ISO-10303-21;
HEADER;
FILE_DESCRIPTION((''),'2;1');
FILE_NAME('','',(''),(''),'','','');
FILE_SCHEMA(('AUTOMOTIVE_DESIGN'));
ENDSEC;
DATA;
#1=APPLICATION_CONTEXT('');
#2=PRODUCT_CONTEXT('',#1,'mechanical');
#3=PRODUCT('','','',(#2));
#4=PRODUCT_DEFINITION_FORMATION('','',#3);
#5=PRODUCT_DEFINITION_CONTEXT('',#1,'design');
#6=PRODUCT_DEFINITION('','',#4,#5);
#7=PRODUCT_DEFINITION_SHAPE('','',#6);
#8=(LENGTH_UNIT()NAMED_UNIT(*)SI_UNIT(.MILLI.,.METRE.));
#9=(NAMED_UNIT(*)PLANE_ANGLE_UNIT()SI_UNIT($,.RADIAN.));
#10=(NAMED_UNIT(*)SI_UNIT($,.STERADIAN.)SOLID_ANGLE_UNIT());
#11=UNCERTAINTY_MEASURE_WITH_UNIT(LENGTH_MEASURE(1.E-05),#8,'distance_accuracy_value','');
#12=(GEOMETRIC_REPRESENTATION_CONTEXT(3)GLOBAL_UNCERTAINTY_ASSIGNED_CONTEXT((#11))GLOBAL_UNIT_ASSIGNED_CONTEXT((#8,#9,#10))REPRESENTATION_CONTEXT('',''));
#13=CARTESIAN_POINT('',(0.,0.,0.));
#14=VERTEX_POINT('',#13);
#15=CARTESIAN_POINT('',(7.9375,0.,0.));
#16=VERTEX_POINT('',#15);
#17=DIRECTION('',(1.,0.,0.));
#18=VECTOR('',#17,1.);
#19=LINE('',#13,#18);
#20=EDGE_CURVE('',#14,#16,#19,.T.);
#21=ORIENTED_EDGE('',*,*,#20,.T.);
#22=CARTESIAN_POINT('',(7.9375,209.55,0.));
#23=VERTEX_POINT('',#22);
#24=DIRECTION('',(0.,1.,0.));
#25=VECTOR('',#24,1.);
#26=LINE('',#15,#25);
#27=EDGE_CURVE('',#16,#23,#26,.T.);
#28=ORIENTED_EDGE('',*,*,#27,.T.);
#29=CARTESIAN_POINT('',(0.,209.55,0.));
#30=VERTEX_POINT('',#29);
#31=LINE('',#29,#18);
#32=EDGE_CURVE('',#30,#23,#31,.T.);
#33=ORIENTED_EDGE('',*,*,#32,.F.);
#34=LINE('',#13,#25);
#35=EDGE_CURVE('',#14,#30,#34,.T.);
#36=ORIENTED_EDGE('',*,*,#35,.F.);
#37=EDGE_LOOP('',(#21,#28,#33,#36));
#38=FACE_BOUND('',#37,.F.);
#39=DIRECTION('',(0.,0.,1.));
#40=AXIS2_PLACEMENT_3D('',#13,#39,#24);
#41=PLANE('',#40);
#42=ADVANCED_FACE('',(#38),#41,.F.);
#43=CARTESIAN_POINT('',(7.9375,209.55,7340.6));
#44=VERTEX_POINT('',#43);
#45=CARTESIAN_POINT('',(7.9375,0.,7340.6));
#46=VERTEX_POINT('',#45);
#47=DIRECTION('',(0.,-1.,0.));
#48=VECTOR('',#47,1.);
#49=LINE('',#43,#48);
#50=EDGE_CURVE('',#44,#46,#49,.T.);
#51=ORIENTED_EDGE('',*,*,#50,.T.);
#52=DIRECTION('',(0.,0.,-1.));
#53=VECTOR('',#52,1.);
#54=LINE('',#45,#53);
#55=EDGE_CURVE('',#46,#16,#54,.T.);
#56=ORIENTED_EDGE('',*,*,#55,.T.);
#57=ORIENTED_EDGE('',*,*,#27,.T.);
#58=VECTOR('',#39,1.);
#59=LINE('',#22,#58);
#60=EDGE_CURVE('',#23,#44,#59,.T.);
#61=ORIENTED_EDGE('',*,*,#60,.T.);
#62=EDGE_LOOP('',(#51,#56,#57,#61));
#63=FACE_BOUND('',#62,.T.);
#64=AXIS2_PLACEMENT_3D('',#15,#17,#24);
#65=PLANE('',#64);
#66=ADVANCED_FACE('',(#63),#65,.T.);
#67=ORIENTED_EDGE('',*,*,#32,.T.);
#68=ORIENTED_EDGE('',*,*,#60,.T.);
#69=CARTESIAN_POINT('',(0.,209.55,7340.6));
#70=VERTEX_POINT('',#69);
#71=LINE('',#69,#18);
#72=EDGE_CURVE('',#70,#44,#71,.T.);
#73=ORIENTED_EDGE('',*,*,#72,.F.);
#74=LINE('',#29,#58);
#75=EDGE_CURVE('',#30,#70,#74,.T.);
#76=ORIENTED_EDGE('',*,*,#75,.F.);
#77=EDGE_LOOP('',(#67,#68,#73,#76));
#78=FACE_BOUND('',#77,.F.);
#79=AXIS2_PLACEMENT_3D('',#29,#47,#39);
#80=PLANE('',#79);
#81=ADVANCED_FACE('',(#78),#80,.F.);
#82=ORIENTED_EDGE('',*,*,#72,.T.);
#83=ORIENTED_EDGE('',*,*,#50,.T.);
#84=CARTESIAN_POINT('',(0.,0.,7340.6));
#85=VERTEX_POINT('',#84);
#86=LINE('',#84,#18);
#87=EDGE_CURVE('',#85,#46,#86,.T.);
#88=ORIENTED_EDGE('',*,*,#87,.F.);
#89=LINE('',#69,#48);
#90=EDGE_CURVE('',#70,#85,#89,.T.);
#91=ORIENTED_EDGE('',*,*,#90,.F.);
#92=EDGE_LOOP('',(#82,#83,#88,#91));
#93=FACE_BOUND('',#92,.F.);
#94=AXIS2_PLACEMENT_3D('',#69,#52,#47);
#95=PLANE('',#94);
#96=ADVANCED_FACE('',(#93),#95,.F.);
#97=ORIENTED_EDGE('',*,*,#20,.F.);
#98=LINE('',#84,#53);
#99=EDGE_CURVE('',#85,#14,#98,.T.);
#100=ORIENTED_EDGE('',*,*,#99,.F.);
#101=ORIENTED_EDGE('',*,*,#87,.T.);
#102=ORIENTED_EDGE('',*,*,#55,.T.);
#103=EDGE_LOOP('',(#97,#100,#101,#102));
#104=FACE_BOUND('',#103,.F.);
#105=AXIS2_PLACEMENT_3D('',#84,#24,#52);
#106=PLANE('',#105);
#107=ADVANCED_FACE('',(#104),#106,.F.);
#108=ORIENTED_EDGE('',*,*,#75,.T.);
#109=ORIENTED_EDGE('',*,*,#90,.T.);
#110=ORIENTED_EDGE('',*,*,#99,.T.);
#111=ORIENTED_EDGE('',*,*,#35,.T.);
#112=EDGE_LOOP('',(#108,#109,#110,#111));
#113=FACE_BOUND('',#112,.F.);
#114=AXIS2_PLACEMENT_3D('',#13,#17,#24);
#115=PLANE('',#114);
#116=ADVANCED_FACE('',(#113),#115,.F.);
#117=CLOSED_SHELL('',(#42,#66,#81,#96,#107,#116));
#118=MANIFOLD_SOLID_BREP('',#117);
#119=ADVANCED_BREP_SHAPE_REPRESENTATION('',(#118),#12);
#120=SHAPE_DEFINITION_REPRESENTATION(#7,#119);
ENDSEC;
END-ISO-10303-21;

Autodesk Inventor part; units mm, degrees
ref_plane "YZ Plane" through (0, 0, 0) normal (1, 0, 0) x (0, 1, 0)
ref_plane "XZ Plane" through (0, 0, 0) normal (0, 1, 0) x (-1, 0, 0)
ref_plane "XY Plane" through (0, 0, 0) normal (0, 0, 1) x (1, 0, 0)
sketch "Sketch1" plane through (0, 0, 0) normal (1, 0, 0) x (0, 1, 0)
  line L0 (0, 0) -> (209.55, 0)
  line L1 (209.55, 0) -> (209.55, 7340.6)
  line L2 (209.55, 7340.6) -> (0, 7340.6)
  line L3 (0, 7340.6) -> (0, 0)
  dimension "d1" = 209.55
  dimension "d4" = 7340.6
extrude "Extrusion1" add sketch "Sketch1" along normal blind 7.9375
properties part number "Fiber_Cement_Board"
